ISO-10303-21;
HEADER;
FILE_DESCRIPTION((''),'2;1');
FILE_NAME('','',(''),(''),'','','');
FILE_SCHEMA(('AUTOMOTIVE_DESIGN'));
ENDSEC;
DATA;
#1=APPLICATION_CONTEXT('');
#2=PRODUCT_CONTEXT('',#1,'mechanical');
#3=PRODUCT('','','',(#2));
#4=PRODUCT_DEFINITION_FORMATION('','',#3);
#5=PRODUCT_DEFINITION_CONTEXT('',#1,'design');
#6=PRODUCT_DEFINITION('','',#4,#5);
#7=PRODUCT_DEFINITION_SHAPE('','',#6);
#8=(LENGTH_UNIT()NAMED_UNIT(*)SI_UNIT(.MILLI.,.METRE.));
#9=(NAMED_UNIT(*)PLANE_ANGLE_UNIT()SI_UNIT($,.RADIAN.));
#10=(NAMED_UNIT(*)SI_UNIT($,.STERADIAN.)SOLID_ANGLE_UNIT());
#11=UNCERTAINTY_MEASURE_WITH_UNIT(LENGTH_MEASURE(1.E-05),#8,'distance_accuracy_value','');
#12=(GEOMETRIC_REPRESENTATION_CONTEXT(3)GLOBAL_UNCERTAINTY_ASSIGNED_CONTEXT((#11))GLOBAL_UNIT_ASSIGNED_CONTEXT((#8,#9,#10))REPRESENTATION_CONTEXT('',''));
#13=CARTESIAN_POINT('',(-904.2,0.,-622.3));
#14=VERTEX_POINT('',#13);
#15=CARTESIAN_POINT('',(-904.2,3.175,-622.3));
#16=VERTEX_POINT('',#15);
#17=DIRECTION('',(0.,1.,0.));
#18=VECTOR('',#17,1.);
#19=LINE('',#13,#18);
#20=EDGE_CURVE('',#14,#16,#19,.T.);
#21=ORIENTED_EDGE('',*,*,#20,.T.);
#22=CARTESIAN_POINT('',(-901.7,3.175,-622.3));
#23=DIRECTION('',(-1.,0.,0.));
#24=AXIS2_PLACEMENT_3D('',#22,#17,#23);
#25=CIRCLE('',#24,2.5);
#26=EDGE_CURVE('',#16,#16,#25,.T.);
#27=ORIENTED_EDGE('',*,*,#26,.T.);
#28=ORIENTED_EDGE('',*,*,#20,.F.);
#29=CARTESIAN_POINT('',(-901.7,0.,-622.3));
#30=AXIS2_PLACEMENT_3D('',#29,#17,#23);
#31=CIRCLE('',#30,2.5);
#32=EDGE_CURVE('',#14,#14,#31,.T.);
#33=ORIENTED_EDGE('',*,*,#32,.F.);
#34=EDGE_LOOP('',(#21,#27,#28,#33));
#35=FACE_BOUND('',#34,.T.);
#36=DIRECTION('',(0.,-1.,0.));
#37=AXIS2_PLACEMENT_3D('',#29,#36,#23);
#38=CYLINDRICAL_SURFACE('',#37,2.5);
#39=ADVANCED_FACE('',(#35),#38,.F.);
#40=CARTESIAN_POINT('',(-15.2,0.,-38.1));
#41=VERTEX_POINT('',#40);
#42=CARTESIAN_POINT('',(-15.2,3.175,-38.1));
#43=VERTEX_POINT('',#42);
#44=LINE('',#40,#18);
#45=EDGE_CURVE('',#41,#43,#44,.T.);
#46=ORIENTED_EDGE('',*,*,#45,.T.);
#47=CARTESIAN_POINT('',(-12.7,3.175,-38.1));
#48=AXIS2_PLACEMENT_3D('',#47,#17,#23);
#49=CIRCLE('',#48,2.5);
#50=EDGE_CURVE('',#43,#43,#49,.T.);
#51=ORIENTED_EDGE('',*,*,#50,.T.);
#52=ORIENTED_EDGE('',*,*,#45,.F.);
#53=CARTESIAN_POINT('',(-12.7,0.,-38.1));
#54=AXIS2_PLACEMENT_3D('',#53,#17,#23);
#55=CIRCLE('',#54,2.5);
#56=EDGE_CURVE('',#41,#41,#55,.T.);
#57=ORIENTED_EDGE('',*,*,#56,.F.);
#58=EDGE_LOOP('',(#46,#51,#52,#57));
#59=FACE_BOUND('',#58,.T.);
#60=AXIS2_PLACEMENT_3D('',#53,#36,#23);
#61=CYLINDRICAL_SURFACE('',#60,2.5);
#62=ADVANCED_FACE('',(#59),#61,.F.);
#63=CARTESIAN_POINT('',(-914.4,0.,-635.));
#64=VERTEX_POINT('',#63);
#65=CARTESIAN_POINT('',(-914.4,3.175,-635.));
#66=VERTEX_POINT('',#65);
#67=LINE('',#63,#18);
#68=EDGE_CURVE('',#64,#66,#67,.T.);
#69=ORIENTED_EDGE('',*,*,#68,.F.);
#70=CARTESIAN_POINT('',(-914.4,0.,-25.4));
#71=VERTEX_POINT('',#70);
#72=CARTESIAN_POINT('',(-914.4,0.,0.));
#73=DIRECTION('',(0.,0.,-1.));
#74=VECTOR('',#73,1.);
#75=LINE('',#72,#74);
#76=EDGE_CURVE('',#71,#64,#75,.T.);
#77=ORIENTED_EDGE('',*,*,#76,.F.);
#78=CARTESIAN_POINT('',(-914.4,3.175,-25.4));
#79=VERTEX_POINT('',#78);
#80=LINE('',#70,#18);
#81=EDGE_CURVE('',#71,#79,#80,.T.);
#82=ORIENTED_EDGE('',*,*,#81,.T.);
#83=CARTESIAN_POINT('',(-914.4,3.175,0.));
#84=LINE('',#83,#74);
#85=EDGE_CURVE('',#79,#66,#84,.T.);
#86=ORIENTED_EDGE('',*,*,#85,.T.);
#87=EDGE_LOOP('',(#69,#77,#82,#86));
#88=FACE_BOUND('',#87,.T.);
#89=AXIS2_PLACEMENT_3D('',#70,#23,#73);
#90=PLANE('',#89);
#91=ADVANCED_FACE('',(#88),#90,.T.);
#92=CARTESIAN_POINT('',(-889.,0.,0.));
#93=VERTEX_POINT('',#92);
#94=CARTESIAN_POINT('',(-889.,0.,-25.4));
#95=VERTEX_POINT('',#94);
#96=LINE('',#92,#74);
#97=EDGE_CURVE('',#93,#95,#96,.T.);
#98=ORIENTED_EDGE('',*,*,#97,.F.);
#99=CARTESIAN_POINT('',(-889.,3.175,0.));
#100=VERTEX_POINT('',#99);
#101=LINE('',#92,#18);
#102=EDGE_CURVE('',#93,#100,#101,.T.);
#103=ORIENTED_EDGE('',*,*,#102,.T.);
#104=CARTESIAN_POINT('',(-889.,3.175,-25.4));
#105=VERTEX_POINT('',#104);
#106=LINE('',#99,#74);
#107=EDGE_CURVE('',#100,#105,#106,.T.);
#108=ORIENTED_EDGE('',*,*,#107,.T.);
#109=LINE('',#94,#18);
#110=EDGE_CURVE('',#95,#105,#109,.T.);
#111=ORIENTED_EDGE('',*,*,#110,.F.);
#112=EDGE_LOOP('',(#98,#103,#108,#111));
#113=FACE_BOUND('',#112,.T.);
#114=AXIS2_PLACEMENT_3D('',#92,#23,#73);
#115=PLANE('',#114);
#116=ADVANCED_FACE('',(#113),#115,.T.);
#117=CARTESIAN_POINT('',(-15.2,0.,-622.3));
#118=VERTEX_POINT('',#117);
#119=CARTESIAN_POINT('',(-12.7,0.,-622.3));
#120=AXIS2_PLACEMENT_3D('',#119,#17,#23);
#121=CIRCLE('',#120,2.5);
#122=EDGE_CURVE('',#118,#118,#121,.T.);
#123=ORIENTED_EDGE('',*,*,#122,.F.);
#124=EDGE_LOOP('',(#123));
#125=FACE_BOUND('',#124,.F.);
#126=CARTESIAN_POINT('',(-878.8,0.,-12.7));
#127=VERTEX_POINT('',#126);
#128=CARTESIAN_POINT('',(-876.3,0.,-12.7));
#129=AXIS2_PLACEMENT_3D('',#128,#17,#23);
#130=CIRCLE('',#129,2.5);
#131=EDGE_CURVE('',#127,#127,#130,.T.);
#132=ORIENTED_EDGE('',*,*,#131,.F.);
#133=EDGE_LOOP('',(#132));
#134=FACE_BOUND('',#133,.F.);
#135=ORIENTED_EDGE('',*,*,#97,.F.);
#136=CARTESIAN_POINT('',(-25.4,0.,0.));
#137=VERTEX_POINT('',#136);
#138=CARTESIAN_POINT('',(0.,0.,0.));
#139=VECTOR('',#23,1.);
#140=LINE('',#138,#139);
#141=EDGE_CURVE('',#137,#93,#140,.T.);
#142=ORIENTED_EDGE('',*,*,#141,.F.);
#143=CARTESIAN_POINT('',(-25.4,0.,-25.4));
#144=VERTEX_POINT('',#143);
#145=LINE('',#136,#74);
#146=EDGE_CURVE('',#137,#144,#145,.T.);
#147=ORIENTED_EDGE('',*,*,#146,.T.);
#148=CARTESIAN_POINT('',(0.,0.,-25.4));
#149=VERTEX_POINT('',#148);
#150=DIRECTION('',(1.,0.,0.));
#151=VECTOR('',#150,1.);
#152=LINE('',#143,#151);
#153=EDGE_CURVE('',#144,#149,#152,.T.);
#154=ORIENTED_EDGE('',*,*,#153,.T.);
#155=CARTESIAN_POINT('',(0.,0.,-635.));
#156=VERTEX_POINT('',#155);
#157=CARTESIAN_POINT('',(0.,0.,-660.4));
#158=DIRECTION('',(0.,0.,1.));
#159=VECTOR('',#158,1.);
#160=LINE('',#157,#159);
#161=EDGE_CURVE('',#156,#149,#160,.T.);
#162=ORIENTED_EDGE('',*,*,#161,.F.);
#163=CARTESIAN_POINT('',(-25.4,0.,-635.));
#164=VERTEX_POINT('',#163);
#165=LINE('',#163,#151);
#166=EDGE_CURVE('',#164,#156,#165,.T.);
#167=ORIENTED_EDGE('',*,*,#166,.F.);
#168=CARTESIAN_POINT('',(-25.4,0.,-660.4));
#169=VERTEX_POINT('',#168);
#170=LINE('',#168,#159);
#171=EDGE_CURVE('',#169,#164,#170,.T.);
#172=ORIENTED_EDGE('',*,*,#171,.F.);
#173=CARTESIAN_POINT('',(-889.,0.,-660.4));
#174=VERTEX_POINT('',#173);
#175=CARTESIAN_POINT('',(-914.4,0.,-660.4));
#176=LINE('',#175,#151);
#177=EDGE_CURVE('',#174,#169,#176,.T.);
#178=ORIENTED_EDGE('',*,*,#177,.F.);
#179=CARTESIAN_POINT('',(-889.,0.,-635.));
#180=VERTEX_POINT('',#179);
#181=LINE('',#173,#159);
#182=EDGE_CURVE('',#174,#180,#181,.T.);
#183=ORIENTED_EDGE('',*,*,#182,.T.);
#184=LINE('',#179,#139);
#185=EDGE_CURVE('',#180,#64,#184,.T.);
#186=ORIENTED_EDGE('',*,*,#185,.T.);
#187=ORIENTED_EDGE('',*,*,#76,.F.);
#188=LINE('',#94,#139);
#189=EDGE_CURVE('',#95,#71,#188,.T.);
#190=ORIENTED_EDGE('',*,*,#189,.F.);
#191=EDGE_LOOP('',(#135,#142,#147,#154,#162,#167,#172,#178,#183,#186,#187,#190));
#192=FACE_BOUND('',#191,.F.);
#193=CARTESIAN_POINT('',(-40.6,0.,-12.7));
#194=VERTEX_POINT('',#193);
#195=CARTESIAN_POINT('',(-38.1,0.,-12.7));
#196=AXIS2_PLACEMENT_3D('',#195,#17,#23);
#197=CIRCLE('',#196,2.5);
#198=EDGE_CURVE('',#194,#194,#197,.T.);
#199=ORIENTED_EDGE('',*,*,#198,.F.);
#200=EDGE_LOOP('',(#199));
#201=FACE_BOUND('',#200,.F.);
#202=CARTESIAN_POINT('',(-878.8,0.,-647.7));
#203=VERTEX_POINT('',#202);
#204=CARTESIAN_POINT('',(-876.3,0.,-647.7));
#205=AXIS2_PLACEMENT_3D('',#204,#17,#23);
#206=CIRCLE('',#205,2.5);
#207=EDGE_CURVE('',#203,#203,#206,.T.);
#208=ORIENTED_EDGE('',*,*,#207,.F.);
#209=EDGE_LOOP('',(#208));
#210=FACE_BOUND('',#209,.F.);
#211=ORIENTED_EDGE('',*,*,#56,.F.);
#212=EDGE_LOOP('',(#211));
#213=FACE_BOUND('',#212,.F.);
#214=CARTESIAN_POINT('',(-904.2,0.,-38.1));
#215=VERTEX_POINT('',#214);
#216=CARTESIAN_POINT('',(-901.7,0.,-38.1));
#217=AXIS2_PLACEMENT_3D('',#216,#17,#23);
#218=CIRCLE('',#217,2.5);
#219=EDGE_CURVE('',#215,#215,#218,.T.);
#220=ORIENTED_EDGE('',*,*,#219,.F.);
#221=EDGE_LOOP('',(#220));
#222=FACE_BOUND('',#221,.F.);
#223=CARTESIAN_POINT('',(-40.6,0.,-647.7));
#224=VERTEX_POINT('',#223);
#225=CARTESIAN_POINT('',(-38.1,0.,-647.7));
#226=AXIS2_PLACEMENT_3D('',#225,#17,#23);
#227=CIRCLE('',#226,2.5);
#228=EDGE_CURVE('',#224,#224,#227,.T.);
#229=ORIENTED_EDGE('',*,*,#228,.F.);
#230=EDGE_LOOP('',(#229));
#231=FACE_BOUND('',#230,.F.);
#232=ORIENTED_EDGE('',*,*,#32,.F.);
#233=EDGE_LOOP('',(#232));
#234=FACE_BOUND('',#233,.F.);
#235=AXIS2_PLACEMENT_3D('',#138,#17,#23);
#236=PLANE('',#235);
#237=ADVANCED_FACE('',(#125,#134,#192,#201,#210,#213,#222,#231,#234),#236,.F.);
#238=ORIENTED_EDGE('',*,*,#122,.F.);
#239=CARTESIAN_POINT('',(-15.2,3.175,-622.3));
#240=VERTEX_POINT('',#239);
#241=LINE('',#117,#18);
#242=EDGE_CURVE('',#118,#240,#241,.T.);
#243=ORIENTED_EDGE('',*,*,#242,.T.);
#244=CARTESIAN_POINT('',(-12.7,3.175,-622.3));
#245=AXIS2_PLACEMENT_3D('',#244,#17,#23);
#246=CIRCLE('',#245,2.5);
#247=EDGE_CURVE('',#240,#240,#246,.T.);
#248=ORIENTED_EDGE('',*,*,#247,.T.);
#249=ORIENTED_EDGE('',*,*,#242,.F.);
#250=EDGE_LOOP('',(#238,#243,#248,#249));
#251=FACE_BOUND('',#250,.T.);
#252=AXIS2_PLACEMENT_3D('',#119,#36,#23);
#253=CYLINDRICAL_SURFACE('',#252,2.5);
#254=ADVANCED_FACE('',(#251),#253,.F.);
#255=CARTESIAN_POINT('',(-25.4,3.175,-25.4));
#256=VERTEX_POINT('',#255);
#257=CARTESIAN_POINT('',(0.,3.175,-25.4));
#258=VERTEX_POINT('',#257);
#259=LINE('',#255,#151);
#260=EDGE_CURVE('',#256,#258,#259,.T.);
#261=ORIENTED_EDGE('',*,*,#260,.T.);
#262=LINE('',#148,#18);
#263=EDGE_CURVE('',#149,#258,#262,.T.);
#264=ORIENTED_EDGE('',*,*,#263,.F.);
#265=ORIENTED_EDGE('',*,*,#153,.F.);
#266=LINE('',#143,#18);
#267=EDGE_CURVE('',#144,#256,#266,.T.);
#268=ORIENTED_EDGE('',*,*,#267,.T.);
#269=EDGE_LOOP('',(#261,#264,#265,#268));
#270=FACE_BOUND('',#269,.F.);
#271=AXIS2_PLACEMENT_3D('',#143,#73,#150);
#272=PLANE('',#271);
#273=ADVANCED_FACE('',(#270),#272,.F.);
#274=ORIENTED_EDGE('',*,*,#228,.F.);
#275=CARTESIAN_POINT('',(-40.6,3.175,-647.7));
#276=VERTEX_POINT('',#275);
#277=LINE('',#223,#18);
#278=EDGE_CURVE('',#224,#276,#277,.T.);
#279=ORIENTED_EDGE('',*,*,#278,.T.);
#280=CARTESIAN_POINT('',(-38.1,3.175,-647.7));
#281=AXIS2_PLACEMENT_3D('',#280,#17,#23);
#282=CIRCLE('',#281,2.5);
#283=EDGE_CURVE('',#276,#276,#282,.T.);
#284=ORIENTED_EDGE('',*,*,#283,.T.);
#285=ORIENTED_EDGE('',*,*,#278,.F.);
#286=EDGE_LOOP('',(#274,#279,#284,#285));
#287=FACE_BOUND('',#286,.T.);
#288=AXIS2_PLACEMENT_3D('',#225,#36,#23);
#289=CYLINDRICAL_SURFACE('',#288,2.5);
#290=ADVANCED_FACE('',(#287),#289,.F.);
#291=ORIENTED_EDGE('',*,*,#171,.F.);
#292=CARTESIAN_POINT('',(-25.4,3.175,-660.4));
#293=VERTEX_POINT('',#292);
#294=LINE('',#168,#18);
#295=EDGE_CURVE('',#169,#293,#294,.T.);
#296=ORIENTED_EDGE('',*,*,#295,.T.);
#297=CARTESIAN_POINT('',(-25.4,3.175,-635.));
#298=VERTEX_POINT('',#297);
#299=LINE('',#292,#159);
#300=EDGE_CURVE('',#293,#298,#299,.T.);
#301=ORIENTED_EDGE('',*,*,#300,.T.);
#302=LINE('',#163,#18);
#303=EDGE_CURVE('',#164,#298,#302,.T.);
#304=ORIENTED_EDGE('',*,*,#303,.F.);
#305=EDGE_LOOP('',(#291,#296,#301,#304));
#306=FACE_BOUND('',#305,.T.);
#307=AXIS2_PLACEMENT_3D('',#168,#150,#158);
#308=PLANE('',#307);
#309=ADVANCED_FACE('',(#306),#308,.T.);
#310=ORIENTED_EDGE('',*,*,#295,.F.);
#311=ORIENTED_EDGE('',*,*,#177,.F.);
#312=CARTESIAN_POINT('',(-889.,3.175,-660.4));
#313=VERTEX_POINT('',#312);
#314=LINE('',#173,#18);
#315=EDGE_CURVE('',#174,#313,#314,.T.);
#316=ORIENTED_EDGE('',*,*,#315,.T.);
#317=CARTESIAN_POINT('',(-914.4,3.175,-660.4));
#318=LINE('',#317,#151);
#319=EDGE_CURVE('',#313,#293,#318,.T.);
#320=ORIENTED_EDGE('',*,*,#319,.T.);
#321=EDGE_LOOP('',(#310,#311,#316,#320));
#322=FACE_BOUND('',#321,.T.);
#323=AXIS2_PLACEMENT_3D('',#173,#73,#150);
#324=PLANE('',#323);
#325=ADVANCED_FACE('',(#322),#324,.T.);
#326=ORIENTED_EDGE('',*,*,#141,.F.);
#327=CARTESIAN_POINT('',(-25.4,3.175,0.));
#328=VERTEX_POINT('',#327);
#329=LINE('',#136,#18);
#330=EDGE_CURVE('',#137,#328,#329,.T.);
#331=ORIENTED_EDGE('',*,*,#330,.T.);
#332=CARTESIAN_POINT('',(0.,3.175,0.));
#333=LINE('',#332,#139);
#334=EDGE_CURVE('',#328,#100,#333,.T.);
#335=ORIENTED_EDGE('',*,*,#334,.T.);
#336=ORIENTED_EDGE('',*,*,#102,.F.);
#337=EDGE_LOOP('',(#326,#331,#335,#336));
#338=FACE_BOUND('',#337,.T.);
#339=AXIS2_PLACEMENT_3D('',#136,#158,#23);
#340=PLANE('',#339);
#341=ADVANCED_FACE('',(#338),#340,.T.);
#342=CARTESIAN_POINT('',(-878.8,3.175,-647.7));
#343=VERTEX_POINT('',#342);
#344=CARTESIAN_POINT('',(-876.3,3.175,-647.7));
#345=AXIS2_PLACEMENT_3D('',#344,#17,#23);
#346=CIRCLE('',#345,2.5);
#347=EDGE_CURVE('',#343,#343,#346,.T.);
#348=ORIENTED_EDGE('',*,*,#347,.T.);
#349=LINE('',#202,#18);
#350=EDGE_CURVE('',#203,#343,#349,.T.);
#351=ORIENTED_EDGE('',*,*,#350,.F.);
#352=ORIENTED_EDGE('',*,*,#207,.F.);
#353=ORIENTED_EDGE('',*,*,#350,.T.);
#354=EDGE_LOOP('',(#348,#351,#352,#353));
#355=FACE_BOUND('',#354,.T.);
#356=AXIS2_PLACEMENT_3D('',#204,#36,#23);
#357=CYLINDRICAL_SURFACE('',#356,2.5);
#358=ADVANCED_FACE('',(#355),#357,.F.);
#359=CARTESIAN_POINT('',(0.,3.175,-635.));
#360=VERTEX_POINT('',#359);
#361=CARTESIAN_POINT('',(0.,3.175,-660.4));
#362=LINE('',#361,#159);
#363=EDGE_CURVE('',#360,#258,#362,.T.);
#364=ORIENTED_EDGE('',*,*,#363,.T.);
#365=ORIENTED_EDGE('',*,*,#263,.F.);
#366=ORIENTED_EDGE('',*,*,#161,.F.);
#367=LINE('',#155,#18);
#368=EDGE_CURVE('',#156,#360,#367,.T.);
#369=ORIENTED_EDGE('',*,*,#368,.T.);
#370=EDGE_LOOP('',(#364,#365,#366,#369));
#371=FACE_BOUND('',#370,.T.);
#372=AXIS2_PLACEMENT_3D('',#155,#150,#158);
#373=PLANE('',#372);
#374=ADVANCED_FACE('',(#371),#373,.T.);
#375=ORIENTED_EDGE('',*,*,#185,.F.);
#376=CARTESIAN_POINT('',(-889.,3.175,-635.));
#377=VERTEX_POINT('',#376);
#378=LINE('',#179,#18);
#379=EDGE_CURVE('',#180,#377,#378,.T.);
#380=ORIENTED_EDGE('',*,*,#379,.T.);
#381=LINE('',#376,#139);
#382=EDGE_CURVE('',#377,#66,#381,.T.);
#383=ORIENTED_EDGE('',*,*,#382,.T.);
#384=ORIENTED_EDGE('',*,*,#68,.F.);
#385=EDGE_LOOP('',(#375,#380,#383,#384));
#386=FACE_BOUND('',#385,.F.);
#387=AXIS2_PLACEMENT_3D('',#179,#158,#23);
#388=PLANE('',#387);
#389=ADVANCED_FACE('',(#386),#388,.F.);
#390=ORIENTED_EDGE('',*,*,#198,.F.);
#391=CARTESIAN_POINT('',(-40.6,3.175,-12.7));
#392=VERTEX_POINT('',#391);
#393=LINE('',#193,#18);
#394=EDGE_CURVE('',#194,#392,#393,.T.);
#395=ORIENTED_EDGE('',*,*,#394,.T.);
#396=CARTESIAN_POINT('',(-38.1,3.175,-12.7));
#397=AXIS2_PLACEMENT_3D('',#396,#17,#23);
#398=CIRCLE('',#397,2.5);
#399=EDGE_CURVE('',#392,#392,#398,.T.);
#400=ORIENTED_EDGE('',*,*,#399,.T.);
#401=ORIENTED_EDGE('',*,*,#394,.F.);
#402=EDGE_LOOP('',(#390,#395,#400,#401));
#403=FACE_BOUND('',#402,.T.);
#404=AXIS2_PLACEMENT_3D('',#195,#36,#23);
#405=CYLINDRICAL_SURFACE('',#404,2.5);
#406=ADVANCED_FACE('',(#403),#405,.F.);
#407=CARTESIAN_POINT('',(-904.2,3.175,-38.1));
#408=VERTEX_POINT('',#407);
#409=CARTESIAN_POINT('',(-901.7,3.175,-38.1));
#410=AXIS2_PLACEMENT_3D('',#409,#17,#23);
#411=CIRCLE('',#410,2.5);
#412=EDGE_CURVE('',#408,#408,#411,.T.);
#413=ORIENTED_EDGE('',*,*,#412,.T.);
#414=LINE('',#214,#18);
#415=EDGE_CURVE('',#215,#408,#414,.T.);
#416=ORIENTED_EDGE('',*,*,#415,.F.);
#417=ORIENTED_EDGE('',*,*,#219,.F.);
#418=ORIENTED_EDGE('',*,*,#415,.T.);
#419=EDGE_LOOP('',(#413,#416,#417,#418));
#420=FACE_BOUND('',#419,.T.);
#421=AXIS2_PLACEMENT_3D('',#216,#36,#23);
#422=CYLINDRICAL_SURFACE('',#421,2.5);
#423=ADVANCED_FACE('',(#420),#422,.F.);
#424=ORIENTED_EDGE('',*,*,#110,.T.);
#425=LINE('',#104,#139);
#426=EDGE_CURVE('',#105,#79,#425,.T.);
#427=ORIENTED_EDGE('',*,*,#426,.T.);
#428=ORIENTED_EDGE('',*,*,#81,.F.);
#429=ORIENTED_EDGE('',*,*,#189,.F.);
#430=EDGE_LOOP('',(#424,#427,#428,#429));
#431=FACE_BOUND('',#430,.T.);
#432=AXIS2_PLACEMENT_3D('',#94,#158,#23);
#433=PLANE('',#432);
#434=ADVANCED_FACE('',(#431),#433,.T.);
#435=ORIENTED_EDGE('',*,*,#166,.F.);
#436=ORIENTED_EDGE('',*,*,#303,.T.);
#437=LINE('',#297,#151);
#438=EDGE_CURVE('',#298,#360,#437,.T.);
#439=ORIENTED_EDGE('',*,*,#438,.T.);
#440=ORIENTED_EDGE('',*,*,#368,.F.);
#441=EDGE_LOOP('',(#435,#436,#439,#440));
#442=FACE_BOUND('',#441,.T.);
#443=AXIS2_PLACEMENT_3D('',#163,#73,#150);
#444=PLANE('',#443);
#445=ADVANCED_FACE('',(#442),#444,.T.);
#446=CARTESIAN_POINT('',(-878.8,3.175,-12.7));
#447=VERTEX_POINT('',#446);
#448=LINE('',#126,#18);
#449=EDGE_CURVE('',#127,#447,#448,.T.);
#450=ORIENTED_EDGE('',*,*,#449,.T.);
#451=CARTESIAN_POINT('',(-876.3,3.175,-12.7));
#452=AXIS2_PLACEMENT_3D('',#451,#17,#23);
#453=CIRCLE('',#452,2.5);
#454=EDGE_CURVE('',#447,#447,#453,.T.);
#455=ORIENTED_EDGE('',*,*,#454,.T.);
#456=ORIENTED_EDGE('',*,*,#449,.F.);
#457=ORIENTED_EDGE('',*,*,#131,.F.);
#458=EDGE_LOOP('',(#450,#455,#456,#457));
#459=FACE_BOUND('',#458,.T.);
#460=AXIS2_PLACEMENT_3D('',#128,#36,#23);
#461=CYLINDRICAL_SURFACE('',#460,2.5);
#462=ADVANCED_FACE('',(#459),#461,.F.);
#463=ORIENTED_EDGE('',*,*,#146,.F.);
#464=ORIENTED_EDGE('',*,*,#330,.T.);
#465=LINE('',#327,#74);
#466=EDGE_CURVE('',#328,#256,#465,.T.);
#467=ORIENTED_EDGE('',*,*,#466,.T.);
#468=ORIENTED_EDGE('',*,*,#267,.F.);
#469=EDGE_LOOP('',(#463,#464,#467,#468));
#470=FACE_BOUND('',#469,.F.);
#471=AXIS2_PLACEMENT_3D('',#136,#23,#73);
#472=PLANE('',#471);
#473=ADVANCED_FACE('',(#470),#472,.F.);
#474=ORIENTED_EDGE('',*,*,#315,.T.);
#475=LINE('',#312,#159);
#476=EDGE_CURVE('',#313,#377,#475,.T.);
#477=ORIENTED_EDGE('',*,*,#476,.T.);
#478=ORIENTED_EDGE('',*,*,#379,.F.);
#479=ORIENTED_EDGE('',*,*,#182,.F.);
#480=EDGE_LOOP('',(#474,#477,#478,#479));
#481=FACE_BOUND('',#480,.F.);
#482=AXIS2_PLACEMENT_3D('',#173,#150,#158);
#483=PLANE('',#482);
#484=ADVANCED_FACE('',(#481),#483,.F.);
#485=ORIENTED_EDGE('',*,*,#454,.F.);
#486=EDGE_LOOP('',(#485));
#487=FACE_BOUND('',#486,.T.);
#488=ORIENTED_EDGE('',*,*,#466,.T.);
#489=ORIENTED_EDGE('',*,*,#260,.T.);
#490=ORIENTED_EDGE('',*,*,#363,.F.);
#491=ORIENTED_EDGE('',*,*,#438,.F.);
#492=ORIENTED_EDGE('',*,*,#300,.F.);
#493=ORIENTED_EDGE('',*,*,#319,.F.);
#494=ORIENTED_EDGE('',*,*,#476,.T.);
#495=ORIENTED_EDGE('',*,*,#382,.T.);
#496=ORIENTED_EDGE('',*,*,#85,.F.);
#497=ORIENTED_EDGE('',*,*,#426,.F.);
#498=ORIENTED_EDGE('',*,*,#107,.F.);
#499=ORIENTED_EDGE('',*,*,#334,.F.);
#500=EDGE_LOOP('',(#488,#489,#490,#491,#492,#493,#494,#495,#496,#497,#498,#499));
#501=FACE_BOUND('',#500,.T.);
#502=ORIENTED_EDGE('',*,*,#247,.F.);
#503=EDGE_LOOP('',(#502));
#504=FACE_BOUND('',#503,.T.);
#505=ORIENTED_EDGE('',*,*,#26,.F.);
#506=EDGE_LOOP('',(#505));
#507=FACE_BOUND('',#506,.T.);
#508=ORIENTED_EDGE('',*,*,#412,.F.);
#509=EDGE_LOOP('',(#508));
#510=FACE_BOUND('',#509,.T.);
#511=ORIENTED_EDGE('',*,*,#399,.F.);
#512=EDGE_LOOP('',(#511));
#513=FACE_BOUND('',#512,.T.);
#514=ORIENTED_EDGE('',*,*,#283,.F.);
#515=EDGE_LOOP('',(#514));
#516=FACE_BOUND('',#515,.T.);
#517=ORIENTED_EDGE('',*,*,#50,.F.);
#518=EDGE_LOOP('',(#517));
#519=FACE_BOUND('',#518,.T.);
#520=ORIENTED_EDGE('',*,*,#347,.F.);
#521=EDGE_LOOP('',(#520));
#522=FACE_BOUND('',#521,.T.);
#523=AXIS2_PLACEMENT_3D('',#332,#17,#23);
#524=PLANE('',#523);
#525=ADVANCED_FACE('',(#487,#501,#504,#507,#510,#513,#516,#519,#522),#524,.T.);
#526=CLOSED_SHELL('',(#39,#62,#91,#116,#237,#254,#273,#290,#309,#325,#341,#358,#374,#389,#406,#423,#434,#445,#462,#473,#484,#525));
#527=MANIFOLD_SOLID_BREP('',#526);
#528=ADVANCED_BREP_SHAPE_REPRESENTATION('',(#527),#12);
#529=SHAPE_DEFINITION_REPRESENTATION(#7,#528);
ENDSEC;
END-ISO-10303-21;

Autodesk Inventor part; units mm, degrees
ref_plane "YZ Plane" through (0, 0, 0) normal (1, 0, 0) x (0, 1, 0)
ref_plane "XZ Plane" through (0, 0, 0) normal (0, 1, 0) x (-1, 0, 0)
ref_plane "XY Plane" through (0, 0, 0) normal (0, 0, 1) x (1, 0, 0)
sketch "Sketch1" plane through (0, 0, 0) normal (0, 1, 0) x (-1, 0, 0)
  line L0 (0, 0) -> (914.4, 0)
  line L1 (914.4, 0) -> (914.4, -660.4)
  line L2 (914.4, -660.4) -> (0, -660.4)
  line L3 (0, -660.4) -> (0, 0)
  line L4 (914.4, 0) -> (889, 0)
  line L5 (889, 0) -> (889, -25.4)
  line L6 (889, -25.4) -> (914.4, -25.4)
  line L7 (914.4, -25.4) -> (914.4, 0)
  line L8 (914.4, -660.4) -> (889, -660.4)
  line L9 (889, -660.4) -> (889, -635)
  line L10 (889, -635) -> (914.4, -635)
  line L11 (914.4, -635) -> (914.4, -660.4)
  line L12 (0, -660.4) -> (25.4, -660.4)
  line L13 (25.4, -660.4) -> (25.4, -635)
  line L14 (25.4, -635) -> (0, -635)
  line L15 (0, -635) -> (0, -660.4)
  line L16 (0, 0) -> (25.4, 0)
  line L17 (25.4, 0) -> (25.4, -25.4)
  line L18 (25.4, -25.4) -> (0, -25.4)
  line L19 (0, -25.4) -> (0, 0)
  circle A0 centre (901.7, -38.1) radius 2.5
  circle A1 centre (876.3, -12.7) radius 2.5
  circle A2 centre (901.7, -622.3) radius 2.5
  circle A3 centre (876.3, -647.7) radius 2.5
  circle A4 centre (12.7, -38.1) radius 2.5
  circle A5 centre (38.1, -12.7) radius 2.5
  circle A6 centre (12.7, -622.3) radius 2.5
  circle A7 centre (38.1, -647.7) radius 2.5
  point P0 (889, -647.7)
  point P1 (0, -635)
  dimension "d0" = 914.4
  dimension "d1" = 660.4
  dimension "d2" = 25.4
  dimension "d3" = 25.4
  dimension "d4" = 25.4
  dimension "d5" = 25.4
  dimension "d6" = 25.4
  dimension "d7" = 25.4
  dimension "d8" = 25.4
  dimension "d9" = 25.4
  dimension "d10" = 5
  dimension "d11" = 12.7
  dimension "d12" = 12.7
  dimension "d13" = 5
  dimension "d14" = 12.7
  dimension "d15" = 12.7
  dimension "d16" = 5
  dimension "d17" = 5
  dimension "d18" = 12.7
  dimension "d19" = 12.7
  dimension "d20" = 12.7
  dimension "d21" = 12.7
extrude "Extrusion1" add sketch "Sketch1" along normal blind 3.175 contours L0 L5 L6 L1 L10 L9 L2 L13 L14 L3 L18 L17
equation "\"d14\" = d12"
equation "\"d15\" = d11"
equation "\"d18\" = d14"
equation "\"d19\" = d14"
equation "\"d20\" = d19"
equation "\"d21\" = d18"
properties part number "Electronics Board" material "Polycarbonate, Clear"
